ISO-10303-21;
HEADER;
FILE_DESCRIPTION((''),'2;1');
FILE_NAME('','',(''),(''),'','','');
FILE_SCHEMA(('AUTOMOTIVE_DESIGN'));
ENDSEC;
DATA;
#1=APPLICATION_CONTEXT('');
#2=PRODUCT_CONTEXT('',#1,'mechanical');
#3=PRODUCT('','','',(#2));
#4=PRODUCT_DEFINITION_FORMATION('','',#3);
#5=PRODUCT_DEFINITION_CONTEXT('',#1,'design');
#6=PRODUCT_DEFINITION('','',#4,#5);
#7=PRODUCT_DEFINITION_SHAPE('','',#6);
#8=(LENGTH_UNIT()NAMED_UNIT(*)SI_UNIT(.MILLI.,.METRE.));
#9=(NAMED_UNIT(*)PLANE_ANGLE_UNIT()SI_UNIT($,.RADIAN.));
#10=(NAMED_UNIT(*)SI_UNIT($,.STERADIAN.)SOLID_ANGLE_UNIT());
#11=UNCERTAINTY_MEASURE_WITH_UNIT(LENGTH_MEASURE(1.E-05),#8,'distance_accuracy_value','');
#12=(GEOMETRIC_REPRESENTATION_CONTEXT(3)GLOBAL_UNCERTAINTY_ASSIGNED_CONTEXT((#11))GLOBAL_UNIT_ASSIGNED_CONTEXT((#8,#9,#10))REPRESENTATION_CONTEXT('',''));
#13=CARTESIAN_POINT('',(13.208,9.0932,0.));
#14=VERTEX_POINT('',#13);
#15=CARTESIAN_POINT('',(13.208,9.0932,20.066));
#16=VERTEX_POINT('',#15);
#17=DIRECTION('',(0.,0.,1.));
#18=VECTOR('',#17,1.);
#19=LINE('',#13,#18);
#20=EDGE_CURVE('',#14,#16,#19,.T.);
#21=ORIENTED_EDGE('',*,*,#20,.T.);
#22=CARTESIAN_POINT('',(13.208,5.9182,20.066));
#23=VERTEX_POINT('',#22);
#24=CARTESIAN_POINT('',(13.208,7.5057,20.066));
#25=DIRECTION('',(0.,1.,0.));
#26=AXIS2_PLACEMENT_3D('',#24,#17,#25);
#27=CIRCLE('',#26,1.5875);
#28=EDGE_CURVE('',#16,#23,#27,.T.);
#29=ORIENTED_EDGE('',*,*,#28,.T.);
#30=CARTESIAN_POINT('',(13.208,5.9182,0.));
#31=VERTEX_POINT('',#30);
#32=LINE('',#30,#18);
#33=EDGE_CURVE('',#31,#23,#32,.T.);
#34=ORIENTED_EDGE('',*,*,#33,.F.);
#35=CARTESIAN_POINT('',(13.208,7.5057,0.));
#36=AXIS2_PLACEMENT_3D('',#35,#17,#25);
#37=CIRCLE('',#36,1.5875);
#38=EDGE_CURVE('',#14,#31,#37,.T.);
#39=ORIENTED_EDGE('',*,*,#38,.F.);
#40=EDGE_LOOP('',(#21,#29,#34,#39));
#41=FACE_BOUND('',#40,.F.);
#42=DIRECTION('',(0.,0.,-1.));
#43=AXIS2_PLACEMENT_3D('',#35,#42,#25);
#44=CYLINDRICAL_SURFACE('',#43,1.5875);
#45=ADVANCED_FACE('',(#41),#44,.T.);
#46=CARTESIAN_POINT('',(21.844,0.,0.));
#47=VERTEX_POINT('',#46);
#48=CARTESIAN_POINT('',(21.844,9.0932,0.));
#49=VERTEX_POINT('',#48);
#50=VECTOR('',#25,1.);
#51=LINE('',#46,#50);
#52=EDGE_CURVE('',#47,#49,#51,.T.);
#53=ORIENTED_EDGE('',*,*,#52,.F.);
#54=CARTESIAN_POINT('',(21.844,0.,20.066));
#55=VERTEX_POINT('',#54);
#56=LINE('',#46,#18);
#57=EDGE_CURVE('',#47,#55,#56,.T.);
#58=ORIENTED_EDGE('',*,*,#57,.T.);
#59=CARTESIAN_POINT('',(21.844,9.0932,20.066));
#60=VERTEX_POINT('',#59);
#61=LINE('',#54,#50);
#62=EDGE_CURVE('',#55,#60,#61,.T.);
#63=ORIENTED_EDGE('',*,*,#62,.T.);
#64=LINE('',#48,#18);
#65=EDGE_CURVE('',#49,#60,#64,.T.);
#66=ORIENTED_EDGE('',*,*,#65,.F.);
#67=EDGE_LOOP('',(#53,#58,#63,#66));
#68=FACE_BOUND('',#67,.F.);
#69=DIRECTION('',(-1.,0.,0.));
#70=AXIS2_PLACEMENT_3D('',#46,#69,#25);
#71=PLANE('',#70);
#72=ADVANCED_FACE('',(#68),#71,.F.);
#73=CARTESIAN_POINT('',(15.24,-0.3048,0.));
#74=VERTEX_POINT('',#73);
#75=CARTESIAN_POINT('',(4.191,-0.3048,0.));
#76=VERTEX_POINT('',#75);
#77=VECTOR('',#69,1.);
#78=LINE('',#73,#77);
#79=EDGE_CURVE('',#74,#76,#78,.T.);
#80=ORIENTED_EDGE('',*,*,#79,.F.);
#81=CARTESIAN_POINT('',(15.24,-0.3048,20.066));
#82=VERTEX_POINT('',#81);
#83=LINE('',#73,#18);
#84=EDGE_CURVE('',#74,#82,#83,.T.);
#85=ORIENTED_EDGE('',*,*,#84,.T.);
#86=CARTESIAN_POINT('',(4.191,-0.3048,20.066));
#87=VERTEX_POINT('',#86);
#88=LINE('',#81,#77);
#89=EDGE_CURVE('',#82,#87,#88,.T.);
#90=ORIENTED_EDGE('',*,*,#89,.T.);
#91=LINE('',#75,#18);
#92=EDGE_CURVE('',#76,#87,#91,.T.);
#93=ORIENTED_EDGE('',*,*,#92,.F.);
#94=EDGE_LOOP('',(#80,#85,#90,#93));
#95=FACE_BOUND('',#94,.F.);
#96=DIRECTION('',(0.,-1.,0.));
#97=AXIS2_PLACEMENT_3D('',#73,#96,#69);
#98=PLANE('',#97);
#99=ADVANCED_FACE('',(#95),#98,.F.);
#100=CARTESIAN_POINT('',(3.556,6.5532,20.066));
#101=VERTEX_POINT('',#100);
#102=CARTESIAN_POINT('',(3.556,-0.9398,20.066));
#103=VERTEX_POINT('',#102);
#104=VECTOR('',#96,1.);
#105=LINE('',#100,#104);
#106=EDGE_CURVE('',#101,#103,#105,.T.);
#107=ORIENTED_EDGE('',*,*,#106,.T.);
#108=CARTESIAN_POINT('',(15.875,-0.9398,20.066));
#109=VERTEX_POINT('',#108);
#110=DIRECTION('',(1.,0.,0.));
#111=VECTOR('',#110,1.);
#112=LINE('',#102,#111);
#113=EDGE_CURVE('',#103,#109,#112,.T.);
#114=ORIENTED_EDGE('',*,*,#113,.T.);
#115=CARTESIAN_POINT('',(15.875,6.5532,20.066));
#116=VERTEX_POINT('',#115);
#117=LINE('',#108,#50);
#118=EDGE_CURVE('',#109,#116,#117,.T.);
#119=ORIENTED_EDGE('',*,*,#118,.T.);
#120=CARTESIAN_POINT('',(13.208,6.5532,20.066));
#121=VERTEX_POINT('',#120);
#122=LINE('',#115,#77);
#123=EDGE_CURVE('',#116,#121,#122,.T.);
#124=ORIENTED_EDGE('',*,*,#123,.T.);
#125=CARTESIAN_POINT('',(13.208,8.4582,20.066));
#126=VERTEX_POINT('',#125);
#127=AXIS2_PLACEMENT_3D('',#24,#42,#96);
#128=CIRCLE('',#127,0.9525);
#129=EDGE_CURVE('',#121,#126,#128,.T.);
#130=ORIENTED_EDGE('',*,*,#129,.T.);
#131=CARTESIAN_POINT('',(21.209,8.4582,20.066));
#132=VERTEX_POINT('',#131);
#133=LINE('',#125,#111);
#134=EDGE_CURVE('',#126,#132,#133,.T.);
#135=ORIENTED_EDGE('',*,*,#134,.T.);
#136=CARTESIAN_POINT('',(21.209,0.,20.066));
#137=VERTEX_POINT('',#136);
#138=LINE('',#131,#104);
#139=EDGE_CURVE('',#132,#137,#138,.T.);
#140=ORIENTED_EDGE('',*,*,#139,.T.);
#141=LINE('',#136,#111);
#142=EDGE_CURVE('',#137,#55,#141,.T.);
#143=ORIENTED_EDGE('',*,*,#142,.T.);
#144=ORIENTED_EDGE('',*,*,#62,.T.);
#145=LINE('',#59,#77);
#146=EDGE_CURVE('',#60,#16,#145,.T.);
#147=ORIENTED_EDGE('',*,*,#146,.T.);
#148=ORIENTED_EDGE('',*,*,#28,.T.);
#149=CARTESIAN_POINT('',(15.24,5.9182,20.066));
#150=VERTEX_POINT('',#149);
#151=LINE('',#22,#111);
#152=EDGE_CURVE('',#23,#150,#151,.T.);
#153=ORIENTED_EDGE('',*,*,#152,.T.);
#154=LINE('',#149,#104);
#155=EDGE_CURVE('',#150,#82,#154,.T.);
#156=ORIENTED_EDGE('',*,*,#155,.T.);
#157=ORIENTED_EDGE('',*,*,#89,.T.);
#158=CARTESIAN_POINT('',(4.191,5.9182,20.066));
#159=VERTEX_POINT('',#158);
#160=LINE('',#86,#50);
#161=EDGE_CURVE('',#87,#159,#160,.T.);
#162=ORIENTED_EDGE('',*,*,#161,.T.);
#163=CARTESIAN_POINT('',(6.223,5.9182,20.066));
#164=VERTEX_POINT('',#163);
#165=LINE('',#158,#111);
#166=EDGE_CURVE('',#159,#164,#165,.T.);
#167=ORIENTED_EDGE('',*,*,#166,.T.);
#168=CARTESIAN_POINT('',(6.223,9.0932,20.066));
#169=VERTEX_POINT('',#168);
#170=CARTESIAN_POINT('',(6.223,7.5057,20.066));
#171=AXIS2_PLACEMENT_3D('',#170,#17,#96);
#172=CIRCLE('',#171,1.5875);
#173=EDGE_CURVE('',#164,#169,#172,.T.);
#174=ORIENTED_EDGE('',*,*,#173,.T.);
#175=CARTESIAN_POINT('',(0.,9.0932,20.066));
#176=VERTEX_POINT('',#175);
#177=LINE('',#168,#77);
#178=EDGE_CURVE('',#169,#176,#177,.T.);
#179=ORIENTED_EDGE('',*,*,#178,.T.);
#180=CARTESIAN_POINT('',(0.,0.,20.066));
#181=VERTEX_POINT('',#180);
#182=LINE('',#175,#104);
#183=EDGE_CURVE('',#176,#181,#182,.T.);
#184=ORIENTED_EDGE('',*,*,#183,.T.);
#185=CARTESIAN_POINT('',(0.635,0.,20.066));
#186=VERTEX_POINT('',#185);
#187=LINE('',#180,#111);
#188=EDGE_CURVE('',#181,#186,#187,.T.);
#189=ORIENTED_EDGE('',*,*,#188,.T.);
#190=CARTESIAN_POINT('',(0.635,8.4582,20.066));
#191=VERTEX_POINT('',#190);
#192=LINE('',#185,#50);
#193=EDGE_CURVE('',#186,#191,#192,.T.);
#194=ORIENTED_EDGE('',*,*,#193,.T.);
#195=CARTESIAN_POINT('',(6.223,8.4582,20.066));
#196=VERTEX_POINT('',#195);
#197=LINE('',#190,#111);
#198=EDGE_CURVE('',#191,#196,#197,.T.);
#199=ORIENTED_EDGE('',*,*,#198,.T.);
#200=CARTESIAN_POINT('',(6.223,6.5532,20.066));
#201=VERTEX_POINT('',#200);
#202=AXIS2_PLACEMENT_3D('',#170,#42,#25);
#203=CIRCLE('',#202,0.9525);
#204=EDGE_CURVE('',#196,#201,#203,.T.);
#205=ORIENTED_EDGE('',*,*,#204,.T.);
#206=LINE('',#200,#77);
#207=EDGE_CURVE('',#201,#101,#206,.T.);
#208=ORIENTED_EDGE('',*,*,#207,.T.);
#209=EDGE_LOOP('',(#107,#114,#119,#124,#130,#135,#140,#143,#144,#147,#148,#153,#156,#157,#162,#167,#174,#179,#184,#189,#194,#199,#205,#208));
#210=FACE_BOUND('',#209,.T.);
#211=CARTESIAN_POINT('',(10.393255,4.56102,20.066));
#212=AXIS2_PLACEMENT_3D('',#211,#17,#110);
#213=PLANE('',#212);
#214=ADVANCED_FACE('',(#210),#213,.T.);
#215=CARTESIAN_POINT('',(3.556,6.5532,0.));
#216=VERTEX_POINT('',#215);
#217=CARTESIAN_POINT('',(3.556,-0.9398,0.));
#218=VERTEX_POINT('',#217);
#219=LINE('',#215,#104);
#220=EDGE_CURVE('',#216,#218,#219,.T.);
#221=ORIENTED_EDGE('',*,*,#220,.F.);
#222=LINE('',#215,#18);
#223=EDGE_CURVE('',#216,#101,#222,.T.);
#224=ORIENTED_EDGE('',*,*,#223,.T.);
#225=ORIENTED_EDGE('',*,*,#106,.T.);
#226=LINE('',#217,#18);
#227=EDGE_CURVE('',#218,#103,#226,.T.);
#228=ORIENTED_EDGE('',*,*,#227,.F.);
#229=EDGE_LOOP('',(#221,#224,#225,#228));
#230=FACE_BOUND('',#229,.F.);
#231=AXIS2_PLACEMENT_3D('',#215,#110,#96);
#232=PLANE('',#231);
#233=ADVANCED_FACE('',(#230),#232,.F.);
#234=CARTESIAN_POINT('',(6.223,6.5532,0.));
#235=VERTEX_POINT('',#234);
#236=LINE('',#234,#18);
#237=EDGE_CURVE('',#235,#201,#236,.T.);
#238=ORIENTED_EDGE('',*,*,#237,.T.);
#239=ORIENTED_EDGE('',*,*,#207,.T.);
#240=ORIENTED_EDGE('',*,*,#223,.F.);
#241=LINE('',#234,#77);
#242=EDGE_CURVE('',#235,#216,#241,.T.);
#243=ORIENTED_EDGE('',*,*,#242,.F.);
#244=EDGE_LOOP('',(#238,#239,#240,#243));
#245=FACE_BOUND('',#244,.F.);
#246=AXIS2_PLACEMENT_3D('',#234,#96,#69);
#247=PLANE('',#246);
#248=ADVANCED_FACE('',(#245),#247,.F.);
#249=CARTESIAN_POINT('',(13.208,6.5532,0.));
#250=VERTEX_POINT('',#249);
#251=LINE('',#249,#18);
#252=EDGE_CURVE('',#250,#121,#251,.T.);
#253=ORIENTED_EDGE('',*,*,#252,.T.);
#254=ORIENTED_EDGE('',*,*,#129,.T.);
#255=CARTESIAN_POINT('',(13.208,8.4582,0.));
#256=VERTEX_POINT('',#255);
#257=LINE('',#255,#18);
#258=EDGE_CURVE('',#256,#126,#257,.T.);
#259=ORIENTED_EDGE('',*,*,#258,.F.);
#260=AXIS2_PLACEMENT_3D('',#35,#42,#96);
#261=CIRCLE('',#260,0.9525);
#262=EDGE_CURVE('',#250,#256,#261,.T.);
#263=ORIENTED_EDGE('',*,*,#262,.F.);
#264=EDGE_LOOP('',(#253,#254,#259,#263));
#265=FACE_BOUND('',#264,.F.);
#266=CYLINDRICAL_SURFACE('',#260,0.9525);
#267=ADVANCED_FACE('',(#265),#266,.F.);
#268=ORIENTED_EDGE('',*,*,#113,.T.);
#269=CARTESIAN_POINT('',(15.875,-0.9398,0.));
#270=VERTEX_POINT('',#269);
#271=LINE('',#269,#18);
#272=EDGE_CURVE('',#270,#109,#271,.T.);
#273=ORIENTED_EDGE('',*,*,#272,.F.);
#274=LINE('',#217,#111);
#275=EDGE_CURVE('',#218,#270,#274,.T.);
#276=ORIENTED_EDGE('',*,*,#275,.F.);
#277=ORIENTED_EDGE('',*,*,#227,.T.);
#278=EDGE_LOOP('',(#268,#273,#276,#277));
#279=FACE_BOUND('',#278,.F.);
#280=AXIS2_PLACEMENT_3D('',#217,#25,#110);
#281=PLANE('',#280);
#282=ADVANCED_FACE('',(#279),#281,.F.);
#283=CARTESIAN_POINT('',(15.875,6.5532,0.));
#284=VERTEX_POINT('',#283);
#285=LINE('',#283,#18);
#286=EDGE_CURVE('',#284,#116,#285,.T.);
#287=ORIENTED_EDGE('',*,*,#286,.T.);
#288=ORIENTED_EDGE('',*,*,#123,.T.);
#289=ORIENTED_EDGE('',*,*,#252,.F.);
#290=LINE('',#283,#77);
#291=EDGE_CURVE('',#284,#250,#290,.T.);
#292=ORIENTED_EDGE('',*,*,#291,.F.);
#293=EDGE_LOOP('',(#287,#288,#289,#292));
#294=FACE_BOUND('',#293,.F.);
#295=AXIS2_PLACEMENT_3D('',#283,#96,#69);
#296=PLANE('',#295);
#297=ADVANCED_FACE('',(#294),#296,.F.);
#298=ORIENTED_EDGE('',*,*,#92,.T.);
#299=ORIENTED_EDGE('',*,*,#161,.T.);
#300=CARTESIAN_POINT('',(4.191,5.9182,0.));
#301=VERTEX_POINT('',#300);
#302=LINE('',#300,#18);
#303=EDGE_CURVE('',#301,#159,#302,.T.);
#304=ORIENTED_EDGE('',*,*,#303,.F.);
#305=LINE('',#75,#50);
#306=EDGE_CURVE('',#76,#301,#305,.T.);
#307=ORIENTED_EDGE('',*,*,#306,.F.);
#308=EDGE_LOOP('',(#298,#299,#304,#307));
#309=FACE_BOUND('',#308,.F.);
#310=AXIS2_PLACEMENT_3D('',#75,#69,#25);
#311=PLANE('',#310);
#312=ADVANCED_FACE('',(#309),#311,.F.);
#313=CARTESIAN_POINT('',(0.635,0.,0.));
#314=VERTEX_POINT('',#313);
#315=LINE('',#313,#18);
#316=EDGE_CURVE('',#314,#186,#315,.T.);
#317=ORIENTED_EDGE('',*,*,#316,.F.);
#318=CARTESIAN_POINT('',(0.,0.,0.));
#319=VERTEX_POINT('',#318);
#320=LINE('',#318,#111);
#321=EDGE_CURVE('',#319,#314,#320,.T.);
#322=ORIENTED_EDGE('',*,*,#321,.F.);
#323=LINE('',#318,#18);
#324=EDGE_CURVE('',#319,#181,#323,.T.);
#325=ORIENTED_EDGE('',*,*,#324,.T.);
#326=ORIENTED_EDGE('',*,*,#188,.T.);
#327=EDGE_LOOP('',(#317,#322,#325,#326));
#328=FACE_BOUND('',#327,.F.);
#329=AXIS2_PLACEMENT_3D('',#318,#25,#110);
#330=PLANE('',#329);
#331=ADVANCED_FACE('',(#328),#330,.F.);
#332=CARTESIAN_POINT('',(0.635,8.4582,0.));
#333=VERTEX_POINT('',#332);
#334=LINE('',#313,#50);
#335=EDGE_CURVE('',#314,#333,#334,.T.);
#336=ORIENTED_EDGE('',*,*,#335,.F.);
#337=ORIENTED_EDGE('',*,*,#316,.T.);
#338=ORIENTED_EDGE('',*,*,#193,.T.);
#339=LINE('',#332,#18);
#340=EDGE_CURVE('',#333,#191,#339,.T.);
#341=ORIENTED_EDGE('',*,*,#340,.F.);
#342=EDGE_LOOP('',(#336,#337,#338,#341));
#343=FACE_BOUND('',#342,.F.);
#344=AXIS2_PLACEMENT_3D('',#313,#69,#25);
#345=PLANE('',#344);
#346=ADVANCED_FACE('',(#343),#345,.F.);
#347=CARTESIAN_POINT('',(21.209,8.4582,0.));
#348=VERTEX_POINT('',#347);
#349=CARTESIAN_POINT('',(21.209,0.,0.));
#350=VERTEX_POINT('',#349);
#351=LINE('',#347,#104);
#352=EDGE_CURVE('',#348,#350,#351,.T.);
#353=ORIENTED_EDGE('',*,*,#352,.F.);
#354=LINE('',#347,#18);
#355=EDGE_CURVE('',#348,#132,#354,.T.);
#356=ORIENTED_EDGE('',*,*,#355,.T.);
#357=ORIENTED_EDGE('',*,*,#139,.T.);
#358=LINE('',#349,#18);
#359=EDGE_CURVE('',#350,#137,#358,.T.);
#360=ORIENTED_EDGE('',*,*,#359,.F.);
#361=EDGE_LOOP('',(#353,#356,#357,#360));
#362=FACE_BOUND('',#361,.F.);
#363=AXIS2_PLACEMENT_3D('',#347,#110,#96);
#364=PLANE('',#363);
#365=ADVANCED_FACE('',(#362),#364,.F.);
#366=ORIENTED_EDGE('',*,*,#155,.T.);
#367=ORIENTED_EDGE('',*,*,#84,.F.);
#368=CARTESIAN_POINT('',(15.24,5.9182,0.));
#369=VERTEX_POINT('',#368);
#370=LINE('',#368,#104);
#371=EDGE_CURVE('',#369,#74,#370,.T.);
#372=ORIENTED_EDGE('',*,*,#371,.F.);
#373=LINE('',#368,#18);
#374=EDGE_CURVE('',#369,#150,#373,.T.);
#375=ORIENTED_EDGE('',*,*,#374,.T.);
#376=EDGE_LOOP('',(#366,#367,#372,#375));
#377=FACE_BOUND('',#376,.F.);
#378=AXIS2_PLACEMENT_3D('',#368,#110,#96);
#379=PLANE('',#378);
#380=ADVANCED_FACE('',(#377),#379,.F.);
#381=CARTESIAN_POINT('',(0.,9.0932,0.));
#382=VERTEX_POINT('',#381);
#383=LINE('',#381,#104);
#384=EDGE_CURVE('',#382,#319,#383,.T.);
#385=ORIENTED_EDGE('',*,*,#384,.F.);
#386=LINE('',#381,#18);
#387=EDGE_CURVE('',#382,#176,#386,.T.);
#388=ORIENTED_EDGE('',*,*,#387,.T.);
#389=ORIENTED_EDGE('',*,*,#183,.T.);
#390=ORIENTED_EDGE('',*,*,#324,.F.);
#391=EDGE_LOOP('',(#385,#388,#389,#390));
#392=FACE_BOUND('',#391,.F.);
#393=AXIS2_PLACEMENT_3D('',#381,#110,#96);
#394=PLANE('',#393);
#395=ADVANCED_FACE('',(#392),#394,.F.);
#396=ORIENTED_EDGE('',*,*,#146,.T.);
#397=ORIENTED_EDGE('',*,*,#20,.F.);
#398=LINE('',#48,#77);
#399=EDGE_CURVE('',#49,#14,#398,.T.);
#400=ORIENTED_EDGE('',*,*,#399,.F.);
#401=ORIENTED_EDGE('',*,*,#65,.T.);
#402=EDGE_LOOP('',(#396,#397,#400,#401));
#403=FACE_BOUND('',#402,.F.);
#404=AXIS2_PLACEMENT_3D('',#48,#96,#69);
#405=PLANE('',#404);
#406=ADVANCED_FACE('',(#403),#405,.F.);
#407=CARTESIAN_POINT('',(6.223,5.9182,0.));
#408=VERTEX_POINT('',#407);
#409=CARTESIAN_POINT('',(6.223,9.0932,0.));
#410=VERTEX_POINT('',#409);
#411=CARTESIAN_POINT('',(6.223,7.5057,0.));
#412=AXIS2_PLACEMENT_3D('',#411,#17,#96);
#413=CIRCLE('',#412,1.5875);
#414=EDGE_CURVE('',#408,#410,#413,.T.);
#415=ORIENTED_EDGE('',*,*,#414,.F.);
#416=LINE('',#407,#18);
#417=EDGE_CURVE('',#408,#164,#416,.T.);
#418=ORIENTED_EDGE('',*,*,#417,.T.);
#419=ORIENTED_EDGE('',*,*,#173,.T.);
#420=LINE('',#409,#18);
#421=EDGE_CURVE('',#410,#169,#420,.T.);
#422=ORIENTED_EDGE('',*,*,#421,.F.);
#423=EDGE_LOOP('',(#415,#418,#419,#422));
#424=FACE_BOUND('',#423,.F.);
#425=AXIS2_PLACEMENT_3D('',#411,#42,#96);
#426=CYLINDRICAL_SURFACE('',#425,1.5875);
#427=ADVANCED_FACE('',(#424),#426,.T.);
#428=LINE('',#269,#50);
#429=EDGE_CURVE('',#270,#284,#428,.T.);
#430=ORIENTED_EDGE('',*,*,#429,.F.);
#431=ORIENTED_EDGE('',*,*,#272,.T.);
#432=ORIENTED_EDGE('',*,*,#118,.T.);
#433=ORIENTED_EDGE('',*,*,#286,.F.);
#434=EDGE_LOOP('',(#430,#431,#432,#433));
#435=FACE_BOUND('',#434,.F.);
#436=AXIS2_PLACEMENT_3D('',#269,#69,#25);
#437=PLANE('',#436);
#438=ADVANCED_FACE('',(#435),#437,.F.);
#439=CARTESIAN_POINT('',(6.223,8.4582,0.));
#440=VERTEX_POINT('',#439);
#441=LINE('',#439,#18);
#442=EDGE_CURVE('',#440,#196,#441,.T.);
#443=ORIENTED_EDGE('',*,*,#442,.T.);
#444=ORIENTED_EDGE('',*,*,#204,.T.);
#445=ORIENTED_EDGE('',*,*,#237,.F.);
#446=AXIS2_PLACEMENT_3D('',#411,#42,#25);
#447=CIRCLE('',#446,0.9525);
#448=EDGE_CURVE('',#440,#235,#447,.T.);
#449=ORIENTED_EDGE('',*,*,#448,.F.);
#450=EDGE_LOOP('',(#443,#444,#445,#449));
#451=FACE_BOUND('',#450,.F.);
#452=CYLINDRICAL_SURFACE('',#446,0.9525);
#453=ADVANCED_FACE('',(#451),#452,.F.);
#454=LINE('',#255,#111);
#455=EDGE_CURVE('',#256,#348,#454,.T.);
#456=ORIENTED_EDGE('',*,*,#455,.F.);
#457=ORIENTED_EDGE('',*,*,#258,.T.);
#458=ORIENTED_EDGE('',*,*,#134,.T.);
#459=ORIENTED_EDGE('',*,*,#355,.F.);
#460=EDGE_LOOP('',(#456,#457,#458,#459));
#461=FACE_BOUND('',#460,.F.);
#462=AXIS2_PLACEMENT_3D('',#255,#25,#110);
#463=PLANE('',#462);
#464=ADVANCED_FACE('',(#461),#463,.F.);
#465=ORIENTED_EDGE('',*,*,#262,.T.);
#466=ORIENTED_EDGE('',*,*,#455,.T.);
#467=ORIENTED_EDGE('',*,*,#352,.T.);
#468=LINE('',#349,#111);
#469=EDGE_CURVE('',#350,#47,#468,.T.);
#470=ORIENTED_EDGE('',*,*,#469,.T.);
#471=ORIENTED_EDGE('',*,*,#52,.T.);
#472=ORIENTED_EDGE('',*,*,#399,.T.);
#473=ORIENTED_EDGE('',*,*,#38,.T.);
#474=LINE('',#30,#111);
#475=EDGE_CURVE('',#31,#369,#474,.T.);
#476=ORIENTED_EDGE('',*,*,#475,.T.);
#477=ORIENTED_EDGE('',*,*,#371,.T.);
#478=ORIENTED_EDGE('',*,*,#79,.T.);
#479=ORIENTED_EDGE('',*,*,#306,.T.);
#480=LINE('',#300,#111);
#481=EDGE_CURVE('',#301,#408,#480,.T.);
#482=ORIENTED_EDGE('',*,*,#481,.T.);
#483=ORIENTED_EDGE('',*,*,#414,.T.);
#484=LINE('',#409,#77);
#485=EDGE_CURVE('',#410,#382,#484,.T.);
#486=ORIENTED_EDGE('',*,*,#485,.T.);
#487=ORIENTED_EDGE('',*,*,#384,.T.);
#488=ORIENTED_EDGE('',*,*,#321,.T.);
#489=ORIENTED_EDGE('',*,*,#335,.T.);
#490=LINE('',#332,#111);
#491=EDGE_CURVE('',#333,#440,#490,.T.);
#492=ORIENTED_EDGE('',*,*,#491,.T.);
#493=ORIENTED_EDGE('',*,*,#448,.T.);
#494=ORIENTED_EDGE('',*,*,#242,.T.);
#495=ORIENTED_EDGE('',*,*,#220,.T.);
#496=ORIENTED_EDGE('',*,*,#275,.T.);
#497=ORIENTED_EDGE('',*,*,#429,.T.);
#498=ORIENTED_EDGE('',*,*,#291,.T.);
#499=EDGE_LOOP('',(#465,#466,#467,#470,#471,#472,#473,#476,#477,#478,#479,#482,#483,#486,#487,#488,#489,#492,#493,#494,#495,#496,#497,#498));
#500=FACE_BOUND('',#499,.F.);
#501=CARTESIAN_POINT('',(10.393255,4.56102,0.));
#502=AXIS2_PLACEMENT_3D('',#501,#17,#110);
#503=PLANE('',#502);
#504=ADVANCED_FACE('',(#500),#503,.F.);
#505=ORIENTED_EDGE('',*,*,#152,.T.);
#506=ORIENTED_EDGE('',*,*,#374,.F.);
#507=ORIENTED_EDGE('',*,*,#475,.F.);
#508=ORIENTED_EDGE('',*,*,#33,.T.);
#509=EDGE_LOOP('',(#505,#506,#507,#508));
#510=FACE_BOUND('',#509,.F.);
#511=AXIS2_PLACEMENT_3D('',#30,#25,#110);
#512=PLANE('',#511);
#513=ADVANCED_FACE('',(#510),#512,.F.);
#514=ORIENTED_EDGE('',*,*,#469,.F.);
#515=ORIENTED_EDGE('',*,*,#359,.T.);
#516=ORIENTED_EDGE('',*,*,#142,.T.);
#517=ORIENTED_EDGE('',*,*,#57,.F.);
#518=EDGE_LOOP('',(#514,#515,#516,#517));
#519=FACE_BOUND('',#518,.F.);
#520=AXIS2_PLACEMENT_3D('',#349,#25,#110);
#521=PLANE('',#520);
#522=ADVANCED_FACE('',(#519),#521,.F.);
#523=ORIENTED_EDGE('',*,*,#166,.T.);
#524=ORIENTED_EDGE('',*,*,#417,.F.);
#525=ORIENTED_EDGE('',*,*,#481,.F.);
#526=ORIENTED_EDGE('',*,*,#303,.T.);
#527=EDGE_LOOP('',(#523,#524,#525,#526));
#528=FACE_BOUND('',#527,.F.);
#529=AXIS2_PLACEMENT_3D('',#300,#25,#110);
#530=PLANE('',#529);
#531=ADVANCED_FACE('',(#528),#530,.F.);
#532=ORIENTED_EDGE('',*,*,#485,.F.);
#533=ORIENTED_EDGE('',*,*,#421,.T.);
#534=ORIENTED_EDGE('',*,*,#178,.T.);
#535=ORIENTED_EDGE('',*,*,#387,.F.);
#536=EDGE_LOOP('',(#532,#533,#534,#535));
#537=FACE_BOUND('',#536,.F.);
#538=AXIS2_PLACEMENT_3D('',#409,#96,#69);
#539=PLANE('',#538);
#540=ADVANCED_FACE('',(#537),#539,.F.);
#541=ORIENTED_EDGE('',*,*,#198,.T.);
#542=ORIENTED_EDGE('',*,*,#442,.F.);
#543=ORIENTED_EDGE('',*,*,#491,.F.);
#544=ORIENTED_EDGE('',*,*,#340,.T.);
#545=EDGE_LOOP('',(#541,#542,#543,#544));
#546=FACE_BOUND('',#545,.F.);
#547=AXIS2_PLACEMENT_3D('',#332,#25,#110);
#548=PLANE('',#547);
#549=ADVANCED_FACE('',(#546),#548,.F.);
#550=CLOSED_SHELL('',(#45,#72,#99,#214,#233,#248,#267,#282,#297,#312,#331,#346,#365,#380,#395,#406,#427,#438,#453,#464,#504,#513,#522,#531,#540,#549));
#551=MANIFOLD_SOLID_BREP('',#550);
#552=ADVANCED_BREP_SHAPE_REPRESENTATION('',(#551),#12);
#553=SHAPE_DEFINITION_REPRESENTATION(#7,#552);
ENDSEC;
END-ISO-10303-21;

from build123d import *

# Parameters (mm, degrees)
F1_DEPTH = 20.066


with BuildPart() as f1:
    # F0 (on Top) → F1 (new body)
    with BuildSketch(Plane.XY):
        with BuildLine():
            Line((0, 9.0932), (0, 0))
            Line((0, 0), (0.635, 0))
            Line((0.635, 0), (0.635, 8.4582))
            Line((0.635, 8.4582), (6.223, 8.4582))
            ThreePointArc((6.223, 8.4582), (7.1755, 7.5057), (6.223, 6.5532))
            Line((6.223, 6.5532), (3.556, 6.5532))
            Line((3.556, 6.5532), (3.556, -0.9398))
            Line((3.556, -0.9398), (15.875, -0.9398))
            Line((15.875, -0.9398), (15.875, 6.5532))
            Line((15.875, 6.5532), (13.208, 6.5532))
            ThreePointArc((13.208, 6.5532), (12.2555, 7.5057), (13.208, 8.4582))
            Line((13.208, 8.4582), (21.209, 8.4582))
            Line((21.209, 8.4582), (21.209, 0))
            Line((21.209, 0), (21.844, 0))
            Line((21.844, 0), (21.844, 9.0932))
            Line((21.844, 9.0932), (13.208, 9.0932))
            ThreePointArc((13.208, 9.0932), (11.6205, 7.5057), (13.208, 5.9182))
            Line((13.208, 5.9182), (15.24, 5.9182))
            Line((15.24, 5.9182), (15.24, -0.3048))
            Line((15.24, -0.3048), (4.191, -0.3048))
            Line((4.191, -0.3048), (4.191, 5.9182))
            Line((4.191, 5.9182), (6.223, 5.9182))
            ThreePointArc((6.223, 5.9182), (7.8105, 7.5057), (6.223, 9.0932))
            Line((6.223, 9.0932), (0, 9.0932))
        make_face()
    extrude(amount=F1_DEPTH)


solid = f1.part
